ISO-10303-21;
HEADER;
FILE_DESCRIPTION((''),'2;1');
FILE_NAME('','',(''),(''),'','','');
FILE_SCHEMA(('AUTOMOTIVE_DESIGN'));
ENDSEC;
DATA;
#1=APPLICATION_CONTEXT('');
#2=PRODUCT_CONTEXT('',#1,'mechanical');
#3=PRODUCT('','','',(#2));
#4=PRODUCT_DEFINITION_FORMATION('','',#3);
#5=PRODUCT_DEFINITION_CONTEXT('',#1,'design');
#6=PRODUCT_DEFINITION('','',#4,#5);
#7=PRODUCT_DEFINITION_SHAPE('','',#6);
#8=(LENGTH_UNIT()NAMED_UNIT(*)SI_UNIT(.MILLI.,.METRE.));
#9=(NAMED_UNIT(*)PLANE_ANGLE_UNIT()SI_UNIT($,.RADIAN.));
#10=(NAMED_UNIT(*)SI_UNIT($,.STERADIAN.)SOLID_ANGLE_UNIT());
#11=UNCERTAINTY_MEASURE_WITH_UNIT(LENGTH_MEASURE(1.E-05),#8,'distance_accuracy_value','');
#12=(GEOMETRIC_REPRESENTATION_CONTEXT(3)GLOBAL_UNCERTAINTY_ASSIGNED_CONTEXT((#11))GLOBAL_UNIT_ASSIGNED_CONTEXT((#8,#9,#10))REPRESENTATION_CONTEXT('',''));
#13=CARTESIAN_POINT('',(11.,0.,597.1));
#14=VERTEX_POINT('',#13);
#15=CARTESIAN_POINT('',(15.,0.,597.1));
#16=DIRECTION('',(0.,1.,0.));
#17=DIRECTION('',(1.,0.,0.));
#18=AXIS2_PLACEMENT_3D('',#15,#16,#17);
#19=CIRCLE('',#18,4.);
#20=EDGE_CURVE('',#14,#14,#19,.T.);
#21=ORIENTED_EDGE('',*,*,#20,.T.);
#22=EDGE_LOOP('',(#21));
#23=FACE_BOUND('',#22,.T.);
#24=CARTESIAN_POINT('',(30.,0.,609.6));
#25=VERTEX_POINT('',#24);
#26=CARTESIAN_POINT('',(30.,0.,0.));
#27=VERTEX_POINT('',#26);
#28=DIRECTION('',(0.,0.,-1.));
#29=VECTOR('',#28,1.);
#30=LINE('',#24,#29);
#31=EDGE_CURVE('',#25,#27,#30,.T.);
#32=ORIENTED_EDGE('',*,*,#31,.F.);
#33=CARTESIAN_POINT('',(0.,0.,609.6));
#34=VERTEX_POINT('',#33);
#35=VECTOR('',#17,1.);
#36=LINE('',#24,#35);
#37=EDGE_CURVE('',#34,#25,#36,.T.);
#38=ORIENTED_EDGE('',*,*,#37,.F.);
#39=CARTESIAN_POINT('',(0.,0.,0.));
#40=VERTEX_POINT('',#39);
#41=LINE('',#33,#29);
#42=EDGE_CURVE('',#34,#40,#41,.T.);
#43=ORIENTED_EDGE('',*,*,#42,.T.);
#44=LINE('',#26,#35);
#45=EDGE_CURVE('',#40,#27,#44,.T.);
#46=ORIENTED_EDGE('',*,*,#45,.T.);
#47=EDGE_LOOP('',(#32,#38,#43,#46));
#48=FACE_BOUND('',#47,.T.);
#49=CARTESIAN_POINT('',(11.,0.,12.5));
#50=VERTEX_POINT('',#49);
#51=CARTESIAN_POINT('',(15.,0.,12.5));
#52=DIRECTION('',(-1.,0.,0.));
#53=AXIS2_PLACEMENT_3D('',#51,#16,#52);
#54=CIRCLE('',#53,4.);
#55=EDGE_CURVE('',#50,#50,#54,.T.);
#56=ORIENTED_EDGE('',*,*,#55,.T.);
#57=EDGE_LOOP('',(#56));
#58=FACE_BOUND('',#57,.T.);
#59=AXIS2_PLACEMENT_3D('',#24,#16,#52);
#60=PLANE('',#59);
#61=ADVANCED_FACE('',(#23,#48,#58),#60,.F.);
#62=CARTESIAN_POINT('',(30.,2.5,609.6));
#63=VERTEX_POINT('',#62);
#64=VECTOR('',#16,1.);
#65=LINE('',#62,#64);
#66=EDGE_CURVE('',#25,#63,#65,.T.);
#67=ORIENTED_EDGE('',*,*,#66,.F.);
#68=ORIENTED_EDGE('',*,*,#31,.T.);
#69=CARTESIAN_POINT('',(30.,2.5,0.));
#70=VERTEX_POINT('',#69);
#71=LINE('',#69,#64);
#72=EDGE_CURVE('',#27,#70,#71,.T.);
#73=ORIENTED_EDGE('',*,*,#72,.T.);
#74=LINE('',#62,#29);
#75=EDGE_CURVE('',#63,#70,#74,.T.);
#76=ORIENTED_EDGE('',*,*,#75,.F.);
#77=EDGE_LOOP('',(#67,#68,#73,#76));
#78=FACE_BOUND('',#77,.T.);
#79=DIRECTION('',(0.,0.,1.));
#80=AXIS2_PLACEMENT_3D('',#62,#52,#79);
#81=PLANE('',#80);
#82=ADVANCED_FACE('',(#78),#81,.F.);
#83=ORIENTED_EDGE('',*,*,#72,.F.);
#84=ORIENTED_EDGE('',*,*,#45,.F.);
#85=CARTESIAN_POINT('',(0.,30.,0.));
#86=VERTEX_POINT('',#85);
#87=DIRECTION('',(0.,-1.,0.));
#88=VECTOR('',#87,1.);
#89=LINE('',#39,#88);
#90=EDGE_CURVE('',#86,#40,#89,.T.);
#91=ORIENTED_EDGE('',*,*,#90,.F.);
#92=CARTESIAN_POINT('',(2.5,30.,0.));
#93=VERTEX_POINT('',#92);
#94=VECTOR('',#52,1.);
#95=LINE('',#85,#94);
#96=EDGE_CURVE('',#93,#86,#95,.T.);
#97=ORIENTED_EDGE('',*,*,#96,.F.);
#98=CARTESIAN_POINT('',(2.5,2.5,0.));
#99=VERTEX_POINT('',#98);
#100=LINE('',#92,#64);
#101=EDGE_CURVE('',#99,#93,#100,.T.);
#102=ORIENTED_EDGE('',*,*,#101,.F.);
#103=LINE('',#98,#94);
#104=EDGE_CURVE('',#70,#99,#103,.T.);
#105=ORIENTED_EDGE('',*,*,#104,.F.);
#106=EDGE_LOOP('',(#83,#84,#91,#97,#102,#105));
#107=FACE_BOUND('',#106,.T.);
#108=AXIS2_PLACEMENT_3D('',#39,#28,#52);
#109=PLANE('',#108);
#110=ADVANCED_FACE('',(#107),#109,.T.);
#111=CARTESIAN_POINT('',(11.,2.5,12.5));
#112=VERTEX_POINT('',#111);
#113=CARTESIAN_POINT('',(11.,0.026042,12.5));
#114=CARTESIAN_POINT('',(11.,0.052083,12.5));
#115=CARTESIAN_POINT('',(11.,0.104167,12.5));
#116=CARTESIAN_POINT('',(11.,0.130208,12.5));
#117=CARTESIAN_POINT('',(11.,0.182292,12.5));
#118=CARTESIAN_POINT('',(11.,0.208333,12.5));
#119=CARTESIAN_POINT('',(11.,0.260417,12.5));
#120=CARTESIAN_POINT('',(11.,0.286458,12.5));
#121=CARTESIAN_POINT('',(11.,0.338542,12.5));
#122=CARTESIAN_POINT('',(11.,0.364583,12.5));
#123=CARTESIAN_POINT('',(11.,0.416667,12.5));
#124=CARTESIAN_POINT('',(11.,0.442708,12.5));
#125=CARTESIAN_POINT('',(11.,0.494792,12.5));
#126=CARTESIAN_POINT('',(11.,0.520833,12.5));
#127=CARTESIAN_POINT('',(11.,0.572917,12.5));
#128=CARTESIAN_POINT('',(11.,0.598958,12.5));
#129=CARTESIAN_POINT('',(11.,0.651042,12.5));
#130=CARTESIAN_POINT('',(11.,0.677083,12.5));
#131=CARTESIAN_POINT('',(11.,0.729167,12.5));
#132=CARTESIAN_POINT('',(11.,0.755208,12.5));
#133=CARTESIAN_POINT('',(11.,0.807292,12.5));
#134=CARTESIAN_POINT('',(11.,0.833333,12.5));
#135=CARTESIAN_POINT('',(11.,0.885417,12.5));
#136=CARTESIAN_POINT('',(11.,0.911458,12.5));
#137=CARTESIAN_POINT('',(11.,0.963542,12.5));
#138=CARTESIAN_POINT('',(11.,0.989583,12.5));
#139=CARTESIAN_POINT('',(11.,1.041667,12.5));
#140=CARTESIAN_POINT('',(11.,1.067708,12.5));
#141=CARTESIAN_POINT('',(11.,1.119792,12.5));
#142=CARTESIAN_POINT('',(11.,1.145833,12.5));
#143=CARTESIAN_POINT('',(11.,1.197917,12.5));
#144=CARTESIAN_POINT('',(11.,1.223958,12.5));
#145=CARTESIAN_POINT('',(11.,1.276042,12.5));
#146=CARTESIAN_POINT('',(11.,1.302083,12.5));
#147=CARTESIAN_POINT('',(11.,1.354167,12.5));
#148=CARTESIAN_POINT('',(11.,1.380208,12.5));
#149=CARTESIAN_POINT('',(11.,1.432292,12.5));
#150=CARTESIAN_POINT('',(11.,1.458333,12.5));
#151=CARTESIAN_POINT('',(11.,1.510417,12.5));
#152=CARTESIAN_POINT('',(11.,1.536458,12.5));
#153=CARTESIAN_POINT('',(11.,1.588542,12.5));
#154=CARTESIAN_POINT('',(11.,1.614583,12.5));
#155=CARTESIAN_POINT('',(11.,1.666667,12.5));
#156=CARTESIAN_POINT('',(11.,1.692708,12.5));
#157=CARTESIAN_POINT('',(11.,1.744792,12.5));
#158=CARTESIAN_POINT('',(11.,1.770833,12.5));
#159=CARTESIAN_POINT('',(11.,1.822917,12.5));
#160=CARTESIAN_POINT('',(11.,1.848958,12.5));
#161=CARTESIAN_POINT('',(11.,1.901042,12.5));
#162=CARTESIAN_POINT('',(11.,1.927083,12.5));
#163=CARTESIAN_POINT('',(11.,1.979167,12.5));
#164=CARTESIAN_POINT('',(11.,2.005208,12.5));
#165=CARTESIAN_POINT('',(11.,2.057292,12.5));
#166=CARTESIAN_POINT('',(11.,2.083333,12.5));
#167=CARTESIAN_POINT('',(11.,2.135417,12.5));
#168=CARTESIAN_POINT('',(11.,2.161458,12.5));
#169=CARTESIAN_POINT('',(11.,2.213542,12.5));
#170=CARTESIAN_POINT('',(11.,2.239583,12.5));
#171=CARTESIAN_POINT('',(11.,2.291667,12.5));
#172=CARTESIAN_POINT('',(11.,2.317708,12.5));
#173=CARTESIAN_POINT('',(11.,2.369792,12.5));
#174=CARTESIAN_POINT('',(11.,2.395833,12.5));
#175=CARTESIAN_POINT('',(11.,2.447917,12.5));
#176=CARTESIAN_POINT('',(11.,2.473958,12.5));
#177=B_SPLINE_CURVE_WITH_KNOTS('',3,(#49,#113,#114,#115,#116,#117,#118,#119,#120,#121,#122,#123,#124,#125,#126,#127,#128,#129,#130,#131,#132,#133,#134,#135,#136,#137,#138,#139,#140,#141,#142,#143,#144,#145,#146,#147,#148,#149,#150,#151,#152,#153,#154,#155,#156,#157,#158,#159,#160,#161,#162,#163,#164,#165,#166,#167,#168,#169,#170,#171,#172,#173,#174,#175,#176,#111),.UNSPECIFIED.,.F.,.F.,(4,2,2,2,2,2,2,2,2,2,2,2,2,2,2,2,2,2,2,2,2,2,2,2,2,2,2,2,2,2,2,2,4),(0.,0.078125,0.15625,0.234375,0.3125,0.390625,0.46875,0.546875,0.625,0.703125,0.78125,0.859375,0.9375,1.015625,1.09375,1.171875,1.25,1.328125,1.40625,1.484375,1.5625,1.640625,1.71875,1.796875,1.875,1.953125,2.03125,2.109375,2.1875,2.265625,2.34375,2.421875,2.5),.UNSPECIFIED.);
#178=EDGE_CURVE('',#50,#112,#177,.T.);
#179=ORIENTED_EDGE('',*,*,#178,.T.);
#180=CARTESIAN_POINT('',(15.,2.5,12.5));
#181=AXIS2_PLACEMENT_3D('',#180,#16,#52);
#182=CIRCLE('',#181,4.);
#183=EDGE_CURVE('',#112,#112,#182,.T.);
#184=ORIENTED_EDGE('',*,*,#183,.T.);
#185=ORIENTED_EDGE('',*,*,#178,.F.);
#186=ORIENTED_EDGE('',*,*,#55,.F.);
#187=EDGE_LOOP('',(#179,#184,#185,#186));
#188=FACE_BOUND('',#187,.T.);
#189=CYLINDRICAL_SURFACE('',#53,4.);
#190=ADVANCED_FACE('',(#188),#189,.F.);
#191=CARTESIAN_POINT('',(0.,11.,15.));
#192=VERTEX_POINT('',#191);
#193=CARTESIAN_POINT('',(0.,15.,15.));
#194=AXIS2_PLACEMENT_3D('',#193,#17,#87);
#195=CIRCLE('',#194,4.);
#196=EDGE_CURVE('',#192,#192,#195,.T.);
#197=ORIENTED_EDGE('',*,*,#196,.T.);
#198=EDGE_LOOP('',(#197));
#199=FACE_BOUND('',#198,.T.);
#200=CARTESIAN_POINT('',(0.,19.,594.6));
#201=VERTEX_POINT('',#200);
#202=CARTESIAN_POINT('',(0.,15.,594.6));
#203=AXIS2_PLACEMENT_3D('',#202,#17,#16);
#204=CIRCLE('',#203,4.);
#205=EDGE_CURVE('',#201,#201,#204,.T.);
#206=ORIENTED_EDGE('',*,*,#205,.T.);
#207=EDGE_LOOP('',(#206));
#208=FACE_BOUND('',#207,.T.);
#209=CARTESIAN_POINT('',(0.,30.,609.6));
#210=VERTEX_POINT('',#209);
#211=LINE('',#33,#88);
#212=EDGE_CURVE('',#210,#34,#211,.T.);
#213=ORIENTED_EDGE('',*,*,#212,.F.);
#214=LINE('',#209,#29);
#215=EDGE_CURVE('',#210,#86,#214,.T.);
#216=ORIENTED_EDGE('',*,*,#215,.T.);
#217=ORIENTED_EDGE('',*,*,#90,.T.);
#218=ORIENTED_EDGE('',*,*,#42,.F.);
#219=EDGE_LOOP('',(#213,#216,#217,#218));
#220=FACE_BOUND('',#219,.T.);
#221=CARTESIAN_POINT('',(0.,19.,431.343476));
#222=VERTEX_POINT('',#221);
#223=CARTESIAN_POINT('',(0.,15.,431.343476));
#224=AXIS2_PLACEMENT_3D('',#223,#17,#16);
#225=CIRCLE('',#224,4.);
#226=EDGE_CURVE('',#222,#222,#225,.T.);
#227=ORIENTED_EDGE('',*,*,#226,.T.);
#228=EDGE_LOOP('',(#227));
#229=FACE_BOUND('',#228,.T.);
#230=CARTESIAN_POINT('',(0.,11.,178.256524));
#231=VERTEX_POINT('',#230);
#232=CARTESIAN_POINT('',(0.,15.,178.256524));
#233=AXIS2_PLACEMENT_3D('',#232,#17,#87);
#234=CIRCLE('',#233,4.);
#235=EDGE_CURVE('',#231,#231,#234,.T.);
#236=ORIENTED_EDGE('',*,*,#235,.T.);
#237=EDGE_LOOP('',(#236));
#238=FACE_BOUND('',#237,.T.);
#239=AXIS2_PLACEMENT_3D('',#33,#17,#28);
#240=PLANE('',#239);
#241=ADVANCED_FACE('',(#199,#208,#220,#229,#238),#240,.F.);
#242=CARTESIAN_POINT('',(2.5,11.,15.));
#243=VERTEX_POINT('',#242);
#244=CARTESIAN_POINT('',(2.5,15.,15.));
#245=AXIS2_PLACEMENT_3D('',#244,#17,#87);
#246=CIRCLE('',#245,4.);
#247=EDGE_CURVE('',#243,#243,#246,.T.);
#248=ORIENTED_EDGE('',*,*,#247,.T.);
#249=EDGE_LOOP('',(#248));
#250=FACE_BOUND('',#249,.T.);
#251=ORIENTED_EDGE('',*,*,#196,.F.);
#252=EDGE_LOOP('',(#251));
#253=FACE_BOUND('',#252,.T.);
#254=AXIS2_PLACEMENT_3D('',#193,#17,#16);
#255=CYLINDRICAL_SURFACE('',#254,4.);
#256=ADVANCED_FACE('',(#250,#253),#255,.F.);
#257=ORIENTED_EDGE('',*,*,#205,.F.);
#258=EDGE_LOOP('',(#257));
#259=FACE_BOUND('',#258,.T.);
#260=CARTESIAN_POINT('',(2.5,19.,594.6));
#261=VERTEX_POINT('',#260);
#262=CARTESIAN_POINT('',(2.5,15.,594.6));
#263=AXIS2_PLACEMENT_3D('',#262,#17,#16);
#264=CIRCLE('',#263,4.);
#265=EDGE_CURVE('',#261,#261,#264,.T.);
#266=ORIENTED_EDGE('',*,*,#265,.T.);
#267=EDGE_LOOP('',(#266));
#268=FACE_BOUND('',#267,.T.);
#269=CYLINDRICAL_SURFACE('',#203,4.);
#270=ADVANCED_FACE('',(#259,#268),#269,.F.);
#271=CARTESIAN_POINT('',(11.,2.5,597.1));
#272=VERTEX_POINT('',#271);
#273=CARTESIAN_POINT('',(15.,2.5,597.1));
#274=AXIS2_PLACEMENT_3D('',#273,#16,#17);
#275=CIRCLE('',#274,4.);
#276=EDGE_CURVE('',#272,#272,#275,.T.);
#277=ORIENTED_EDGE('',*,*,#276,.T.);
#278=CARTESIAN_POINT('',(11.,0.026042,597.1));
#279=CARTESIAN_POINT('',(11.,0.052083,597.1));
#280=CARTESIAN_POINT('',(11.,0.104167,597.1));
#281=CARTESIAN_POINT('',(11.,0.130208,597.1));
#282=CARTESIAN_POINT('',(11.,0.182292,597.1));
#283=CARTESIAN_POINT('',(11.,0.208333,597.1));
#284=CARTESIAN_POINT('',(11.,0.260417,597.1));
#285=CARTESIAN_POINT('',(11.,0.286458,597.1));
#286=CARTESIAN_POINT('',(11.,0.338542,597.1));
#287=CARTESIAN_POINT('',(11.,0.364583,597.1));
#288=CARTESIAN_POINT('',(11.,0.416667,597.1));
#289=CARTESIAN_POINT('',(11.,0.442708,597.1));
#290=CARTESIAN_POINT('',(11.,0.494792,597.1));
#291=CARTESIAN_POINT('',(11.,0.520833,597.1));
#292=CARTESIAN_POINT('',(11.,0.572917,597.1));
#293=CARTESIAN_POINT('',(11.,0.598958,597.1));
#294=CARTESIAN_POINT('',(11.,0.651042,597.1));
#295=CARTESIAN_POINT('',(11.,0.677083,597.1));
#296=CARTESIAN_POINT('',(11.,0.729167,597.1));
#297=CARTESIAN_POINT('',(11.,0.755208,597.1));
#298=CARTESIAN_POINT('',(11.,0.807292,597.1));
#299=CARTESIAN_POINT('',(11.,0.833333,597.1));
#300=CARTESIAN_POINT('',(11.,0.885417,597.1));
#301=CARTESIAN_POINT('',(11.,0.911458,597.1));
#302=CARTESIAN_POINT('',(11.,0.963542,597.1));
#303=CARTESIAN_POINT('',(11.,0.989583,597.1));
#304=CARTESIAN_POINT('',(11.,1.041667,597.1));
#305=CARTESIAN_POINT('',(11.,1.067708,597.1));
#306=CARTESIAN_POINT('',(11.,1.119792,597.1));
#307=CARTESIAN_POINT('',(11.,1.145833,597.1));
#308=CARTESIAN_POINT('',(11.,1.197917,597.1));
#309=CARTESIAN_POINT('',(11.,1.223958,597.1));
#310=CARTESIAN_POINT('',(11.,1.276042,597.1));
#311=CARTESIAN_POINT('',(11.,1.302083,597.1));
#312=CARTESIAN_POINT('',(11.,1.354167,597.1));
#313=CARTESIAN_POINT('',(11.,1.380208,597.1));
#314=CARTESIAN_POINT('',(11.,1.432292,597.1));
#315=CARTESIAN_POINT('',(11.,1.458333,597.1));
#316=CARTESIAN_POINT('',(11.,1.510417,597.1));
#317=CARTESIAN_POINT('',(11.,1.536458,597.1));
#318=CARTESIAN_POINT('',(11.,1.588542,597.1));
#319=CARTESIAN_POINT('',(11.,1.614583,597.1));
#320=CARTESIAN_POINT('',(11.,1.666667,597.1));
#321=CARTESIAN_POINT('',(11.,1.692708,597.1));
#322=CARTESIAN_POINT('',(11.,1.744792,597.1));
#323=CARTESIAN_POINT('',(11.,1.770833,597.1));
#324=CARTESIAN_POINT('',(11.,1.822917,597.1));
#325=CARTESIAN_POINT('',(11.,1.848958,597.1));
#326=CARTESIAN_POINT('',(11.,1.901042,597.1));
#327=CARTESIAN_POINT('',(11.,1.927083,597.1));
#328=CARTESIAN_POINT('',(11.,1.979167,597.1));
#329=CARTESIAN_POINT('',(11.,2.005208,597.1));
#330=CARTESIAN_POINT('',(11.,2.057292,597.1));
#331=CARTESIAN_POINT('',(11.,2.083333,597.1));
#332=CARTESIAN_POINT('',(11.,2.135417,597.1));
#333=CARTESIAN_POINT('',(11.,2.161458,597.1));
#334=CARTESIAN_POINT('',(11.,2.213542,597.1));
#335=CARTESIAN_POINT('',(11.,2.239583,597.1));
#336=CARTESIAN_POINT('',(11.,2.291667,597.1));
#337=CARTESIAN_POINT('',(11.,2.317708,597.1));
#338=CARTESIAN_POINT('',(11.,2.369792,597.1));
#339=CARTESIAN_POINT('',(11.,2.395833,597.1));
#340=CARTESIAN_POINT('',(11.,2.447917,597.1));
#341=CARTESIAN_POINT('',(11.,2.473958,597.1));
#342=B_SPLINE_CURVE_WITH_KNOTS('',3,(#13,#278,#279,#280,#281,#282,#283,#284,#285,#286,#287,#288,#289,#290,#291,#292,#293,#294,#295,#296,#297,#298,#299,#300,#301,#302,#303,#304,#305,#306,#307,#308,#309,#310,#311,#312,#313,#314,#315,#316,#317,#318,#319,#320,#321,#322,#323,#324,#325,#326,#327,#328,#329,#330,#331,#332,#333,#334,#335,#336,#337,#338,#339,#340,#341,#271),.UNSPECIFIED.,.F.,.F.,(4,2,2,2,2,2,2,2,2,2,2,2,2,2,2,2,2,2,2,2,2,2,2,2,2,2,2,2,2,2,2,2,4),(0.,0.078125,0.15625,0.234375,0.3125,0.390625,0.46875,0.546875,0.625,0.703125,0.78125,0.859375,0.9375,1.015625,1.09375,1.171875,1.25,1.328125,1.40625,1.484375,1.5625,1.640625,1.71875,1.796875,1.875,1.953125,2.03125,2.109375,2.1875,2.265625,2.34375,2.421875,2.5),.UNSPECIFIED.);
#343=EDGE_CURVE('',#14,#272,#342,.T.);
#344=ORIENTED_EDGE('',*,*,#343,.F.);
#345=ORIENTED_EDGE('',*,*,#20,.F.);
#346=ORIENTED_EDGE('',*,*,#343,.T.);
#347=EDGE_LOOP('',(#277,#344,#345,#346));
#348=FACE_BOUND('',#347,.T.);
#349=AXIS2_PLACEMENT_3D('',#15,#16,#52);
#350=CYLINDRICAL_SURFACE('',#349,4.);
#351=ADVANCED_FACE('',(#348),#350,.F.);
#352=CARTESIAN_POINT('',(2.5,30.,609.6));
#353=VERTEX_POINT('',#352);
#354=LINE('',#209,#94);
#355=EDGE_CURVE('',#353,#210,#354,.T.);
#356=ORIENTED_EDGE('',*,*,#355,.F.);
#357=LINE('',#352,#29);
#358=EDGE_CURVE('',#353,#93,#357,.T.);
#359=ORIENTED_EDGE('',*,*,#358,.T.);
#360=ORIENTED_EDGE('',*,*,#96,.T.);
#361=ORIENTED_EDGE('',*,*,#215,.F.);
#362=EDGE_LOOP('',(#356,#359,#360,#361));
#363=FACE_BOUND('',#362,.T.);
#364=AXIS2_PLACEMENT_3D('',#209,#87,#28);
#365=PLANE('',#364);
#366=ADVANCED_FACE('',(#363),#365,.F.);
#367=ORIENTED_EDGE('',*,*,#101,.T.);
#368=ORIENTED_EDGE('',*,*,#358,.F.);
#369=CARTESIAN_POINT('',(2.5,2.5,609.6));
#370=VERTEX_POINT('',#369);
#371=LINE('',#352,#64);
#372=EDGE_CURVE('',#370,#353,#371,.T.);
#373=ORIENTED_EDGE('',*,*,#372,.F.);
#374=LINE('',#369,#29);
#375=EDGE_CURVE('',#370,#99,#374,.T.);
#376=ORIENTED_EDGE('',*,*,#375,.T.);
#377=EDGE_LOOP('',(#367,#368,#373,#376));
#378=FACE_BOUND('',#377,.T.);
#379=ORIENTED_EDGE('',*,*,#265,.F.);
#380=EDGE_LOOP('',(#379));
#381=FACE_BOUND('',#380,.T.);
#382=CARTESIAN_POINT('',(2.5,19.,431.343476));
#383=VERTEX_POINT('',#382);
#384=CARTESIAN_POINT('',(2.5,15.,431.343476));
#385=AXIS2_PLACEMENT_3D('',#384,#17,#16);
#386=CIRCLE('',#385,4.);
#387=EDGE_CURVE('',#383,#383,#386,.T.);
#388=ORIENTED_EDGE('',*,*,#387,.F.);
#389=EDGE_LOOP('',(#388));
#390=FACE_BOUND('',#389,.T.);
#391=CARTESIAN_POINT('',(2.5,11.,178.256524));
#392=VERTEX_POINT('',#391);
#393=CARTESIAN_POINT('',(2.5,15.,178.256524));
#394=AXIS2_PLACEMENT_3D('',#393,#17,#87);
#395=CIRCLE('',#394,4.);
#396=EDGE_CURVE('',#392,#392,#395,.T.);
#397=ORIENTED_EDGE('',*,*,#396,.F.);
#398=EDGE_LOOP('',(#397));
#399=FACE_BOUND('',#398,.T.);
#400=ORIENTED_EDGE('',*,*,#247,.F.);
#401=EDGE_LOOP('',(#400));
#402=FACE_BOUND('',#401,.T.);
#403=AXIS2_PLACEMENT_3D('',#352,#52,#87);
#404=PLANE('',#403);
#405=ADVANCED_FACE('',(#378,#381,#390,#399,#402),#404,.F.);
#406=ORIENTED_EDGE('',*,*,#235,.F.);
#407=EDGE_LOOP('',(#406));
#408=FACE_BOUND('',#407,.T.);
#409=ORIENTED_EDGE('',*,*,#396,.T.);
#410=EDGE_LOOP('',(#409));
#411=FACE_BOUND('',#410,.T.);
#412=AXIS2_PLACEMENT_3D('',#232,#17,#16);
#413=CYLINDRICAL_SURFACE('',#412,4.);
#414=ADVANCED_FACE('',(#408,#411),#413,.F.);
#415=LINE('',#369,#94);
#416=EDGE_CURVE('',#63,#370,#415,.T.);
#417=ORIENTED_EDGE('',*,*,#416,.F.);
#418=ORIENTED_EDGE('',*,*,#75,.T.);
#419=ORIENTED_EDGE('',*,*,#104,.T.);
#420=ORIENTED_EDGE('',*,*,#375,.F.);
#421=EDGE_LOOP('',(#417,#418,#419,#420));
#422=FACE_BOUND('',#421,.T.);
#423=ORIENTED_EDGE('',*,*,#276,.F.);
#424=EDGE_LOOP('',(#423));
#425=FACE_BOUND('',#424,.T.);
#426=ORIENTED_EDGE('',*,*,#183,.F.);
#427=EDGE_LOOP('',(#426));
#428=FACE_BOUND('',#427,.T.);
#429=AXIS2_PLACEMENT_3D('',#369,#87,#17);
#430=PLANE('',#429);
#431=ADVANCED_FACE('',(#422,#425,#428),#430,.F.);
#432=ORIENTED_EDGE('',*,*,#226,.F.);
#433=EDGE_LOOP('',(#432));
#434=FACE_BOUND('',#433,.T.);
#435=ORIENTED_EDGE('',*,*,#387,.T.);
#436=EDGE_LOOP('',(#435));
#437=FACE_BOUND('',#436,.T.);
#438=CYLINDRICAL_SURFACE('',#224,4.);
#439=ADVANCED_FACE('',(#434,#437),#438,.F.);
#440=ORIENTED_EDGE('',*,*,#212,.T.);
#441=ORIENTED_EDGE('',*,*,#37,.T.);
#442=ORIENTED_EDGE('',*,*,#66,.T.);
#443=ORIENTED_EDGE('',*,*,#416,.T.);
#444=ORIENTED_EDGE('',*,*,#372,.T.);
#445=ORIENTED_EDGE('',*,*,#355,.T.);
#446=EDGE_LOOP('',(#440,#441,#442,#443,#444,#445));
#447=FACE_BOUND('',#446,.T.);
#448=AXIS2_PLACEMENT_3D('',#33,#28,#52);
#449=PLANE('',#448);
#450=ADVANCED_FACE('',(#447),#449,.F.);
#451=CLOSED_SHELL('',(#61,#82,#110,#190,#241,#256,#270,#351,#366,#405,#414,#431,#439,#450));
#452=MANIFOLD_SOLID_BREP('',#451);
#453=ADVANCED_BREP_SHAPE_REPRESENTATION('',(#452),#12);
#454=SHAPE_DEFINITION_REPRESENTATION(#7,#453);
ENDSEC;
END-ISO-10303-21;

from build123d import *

# Parameters (mm, degrees)
BOSS_EXTRUDE1_DEPTH = 609.6
SKETCH2_R           = 4
CUT_EXTRUDE1_DEPTH  = 611.956962478
SKETCH3_R           = 4
CUT_EXTRUDE2_DEPTH  = 611.956962478


with BuildPart() as part:
    # Sketch1 → Boss-Extrude1 (new body)
    with BuildSketch(Plane.XY):
        Polygon((0, 0), (0, 30), (2.5, 30), (2.5, 2.5), (30, 2.5), (30, 0), align=None)
    extrude(amount=BOSS_EXTRUDE1_DEPTH)

    # Sketch2 → Cut-Extrude1 (cut, through all)
    with BuildSketch(Plane(origin=(2.5, 0, 0), x_dir=(0, 0, -1), z_dir=(1, 0, 0))):
        with Locations(Location((-594.6, 15, 0), (0, 0, 90))):
            Circle(SKETCH2_R)
        with Locations(Location((-15, 15, 0), (0, 0, 270))):
            Circle(SKETCH2_R)
        with Locations(Location((-431.3434763, 15, 0), (0, 0, 90))):
            Circle(SKETCH2_R)
        with Locations(Location((-178.2565237, 15, 0), (0, 0, 270))):
            Circle(SKETCH2_R)
    extrude(amount=-CUT_EXTRUDE1_DEPTH, mode=Mode.SUBTRACT)

    # Sketch3 → Cut-Extrude2 (cut, through all)
    with BuildSketch(Plane(origin=(0, 2.5, 0), x_dir=(1, 0, 0), z_dir=(0, 1, 0))):
        with Locations(Location((15, -12.5, 0), (0, 0, 180))):
            Circle(SKETCH3_R)
        with Locations(Location((15, -597.1, 0), (0, 0, 180))):
            Circle(SKETCH3_R)
    extrude(amount=-CUT_EXTRUDE2_DEPTH, mode=Mode.SUBTRACT)


solid = part.part
